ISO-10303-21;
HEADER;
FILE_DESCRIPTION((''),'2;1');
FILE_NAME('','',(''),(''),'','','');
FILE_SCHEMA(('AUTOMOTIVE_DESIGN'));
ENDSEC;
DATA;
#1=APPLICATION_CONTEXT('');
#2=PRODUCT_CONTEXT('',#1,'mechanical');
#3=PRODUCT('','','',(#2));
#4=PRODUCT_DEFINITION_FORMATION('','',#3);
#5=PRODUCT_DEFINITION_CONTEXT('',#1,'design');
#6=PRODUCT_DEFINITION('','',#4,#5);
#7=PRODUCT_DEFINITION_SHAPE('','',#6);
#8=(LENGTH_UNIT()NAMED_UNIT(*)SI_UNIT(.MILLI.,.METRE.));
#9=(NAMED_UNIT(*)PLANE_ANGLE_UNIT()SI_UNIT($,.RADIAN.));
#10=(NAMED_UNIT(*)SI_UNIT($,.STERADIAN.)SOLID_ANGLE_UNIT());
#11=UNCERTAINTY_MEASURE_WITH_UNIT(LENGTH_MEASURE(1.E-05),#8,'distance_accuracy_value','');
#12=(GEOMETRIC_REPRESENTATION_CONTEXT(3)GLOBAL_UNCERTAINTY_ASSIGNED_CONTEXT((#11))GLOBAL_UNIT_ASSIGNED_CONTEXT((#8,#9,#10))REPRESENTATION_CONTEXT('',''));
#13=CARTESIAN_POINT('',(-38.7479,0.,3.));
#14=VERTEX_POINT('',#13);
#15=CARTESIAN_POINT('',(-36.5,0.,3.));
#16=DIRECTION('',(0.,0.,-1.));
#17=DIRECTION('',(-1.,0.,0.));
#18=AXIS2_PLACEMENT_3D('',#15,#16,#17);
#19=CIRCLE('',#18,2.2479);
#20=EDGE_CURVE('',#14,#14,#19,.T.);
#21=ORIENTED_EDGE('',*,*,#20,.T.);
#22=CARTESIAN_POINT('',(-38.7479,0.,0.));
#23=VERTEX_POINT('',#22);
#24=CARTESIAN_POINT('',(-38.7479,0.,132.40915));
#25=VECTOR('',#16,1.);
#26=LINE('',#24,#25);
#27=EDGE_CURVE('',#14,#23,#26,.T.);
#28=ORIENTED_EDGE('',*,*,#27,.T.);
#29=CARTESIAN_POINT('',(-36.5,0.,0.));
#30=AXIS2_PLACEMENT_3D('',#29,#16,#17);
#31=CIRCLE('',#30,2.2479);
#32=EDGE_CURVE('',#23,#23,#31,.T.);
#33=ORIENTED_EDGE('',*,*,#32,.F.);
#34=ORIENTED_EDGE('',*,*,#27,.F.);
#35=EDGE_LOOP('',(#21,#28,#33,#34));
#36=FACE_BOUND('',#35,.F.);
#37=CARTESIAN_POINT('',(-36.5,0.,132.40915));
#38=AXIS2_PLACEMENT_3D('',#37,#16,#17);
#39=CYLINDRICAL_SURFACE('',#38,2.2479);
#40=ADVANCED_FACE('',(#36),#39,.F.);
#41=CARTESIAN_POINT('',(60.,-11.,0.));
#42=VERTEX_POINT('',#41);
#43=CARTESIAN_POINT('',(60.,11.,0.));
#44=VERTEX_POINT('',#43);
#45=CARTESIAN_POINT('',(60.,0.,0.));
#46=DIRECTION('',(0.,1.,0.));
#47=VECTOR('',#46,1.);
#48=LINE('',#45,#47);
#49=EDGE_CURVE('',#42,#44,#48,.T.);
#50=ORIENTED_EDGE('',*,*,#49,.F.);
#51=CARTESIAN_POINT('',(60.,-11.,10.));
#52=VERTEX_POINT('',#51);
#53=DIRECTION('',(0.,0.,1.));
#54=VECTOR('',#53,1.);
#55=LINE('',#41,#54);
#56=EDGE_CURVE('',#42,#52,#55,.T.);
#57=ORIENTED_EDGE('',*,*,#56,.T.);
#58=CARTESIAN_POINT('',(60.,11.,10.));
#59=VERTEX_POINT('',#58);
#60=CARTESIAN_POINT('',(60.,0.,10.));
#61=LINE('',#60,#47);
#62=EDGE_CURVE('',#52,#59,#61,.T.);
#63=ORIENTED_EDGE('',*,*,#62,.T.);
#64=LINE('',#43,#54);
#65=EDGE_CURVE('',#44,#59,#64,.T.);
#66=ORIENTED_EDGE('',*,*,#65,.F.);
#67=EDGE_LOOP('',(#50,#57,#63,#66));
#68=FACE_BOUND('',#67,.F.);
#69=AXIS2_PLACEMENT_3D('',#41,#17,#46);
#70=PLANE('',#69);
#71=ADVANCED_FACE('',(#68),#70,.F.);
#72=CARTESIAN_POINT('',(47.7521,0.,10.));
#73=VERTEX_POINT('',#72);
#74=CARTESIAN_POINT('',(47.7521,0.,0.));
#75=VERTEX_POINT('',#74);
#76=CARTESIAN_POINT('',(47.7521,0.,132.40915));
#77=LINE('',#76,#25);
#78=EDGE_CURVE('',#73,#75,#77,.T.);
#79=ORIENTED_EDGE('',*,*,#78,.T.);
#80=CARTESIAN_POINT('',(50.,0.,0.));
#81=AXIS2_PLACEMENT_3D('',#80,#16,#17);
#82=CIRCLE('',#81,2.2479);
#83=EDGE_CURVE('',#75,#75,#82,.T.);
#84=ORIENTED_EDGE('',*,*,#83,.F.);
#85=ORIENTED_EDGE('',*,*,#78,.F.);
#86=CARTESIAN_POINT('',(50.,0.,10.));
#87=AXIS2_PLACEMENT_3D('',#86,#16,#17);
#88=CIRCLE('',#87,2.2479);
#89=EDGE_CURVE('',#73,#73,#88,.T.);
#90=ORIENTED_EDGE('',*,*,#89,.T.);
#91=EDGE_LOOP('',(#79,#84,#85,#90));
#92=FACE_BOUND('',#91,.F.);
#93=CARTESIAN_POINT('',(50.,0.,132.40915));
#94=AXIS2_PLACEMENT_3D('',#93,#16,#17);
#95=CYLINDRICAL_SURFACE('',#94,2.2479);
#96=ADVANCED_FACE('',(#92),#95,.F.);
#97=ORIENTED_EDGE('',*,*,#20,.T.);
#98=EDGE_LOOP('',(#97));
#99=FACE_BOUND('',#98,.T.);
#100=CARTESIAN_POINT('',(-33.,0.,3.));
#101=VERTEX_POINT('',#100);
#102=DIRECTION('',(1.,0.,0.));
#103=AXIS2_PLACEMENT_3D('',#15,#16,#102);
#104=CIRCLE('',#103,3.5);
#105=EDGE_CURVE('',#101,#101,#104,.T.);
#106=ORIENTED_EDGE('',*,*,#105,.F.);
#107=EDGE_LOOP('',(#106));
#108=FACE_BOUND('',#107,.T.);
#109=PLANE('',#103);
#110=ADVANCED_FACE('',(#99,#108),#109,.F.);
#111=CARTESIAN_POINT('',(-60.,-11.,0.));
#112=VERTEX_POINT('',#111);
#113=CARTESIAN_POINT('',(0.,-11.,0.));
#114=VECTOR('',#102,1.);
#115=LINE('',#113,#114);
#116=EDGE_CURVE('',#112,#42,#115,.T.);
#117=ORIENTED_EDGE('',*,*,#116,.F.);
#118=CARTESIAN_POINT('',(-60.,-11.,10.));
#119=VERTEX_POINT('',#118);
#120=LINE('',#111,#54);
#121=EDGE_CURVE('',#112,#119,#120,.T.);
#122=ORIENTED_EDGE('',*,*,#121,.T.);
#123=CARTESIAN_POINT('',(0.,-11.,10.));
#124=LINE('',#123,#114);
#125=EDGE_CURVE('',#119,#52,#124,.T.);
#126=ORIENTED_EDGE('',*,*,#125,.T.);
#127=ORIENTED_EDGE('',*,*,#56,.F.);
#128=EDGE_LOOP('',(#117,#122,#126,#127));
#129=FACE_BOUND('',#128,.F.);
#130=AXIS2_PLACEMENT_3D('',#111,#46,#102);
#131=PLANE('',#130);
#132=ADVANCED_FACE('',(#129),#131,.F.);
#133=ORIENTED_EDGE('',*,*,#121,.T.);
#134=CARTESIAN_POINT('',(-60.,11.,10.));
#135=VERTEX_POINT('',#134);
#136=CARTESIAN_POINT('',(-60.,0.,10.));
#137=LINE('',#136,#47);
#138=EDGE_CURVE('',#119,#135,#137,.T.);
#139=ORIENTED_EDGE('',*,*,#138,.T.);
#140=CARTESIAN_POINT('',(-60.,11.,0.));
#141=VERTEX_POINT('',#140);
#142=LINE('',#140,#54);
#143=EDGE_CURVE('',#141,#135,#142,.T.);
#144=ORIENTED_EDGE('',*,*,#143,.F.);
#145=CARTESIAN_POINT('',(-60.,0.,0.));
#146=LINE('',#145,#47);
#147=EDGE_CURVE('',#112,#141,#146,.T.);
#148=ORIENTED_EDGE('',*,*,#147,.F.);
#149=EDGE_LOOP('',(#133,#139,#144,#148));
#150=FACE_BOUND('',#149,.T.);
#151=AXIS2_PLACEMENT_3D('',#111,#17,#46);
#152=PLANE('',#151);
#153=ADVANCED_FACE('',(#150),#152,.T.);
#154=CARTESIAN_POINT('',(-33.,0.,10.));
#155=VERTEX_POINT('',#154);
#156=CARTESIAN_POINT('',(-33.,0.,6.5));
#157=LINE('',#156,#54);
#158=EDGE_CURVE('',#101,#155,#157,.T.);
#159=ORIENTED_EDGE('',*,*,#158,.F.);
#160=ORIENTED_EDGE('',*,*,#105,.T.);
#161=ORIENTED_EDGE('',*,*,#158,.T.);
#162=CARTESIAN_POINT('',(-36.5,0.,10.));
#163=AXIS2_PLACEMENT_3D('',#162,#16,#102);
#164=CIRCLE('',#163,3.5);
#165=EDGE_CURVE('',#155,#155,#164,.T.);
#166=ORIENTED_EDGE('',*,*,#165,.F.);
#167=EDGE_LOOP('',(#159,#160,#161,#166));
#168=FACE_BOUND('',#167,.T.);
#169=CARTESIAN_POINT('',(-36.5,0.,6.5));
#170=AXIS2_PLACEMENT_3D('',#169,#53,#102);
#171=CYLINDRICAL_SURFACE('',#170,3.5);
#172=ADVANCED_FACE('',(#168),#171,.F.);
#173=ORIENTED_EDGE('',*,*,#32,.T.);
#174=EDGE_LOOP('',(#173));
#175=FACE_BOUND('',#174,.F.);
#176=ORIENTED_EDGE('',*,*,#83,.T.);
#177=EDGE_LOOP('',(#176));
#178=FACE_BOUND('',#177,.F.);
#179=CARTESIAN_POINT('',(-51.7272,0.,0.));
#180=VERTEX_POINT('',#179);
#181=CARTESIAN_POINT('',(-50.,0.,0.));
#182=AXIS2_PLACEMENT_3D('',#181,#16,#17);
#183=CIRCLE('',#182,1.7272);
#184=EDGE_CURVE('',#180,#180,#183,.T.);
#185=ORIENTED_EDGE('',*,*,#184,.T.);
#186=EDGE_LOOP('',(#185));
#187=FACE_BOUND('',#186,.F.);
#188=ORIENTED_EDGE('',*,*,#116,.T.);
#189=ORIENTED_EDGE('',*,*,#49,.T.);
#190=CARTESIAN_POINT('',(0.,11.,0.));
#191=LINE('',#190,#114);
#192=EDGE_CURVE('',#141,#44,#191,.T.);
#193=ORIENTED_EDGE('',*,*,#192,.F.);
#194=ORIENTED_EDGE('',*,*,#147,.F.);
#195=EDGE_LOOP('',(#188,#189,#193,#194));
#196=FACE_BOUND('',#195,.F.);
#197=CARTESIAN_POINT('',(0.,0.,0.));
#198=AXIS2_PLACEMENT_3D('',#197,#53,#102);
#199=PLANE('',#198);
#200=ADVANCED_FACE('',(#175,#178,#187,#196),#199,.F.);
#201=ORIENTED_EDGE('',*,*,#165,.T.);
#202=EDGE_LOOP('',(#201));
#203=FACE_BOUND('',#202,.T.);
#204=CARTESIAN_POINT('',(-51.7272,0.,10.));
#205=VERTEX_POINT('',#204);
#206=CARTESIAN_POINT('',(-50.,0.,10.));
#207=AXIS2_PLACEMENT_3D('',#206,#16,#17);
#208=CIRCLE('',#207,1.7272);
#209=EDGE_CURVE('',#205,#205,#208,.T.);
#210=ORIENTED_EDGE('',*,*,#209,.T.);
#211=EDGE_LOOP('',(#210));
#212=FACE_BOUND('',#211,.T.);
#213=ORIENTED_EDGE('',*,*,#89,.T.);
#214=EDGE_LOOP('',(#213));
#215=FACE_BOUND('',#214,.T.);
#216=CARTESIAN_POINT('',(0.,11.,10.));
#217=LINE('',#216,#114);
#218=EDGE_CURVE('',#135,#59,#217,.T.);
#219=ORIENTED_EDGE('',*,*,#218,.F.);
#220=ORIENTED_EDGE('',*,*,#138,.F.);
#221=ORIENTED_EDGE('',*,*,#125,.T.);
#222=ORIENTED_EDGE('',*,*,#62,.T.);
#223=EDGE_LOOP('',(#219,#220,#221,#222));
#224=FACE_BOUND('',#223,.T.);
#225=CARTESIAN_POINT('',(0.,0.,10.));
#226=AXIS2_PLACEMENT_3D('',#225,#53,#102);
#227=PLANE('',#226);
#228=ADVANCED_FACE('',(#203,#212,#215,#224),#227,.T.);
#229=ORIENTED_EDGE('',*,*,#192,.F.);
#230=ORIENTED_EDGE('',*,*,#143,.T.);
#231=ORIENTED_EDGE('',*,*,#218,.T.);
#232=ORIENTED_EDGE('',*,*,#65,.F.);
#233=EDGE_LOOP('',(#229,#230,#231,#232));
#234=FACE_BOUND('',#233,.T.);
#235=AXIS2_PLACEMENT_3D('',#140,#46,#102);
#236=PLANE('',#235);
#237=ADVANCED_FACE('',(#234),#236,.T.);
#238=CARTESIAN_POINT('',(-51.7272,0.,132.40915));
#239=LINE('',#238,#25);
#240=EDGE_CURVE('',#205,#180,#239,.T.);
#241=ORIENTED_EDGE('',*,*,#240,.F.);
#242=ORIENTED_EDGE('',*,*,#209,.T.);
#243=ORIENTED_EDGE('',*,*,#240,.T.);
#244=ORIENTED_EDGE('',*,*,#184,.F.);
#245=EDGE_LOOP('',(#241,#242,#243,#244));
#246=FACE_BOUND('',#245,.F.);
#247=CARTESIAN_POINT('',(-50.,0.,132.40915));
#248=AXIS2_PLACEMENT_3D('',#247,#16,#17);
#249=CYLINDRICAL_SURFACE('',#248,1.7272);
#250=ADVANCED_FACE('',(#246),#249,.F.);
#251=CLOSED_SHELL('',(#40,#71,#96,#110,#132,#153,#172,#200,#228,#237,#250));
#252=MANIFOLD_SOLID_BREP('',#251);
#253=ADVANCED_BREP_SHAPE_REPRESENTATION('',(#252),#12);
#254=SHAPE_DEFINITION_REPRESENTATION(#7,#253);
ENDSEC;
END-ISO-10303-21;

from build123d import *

# Parameters (mm, degrees)
F0_W     = 120
F0_H     = 22
F1_DEPTH = 10
F3_D     = 3.4544
F5_D     = 4.4958
F6_W     = 2.5
F6_H     = 7


with BuildPart() as f1:
    # F0 (on Top) → F1 (new body)
    with BuildSketch(Plane.XY):
        Rectangle(F0_W, F0_H)
    extrude(amount=F1_DEPTH)

    # F3 (through all)
    with Locations(Plane.XY.offset(10)):
        with Locations((-50, 0)):
            Hole(F3_D / 2)

    # F5 (through all)
    with Locations(Plane.XY.offset(10)):
        with Locations((-36.5, 0), (50, 0)):
            Hole(F5_D / 2)

    # F6 (on Front) → F7 (revolve, cut)
    with BuildSketch(Plane.XZ):
        with Locations((-34.25, 6.5)):
            Rectangle(F6_W, F6_H)
    revolve(axis=Axis((-36.5, 0, 5), (0, 0, -1)), mode=Mode.SUBTRACT)


solid = f1.part
